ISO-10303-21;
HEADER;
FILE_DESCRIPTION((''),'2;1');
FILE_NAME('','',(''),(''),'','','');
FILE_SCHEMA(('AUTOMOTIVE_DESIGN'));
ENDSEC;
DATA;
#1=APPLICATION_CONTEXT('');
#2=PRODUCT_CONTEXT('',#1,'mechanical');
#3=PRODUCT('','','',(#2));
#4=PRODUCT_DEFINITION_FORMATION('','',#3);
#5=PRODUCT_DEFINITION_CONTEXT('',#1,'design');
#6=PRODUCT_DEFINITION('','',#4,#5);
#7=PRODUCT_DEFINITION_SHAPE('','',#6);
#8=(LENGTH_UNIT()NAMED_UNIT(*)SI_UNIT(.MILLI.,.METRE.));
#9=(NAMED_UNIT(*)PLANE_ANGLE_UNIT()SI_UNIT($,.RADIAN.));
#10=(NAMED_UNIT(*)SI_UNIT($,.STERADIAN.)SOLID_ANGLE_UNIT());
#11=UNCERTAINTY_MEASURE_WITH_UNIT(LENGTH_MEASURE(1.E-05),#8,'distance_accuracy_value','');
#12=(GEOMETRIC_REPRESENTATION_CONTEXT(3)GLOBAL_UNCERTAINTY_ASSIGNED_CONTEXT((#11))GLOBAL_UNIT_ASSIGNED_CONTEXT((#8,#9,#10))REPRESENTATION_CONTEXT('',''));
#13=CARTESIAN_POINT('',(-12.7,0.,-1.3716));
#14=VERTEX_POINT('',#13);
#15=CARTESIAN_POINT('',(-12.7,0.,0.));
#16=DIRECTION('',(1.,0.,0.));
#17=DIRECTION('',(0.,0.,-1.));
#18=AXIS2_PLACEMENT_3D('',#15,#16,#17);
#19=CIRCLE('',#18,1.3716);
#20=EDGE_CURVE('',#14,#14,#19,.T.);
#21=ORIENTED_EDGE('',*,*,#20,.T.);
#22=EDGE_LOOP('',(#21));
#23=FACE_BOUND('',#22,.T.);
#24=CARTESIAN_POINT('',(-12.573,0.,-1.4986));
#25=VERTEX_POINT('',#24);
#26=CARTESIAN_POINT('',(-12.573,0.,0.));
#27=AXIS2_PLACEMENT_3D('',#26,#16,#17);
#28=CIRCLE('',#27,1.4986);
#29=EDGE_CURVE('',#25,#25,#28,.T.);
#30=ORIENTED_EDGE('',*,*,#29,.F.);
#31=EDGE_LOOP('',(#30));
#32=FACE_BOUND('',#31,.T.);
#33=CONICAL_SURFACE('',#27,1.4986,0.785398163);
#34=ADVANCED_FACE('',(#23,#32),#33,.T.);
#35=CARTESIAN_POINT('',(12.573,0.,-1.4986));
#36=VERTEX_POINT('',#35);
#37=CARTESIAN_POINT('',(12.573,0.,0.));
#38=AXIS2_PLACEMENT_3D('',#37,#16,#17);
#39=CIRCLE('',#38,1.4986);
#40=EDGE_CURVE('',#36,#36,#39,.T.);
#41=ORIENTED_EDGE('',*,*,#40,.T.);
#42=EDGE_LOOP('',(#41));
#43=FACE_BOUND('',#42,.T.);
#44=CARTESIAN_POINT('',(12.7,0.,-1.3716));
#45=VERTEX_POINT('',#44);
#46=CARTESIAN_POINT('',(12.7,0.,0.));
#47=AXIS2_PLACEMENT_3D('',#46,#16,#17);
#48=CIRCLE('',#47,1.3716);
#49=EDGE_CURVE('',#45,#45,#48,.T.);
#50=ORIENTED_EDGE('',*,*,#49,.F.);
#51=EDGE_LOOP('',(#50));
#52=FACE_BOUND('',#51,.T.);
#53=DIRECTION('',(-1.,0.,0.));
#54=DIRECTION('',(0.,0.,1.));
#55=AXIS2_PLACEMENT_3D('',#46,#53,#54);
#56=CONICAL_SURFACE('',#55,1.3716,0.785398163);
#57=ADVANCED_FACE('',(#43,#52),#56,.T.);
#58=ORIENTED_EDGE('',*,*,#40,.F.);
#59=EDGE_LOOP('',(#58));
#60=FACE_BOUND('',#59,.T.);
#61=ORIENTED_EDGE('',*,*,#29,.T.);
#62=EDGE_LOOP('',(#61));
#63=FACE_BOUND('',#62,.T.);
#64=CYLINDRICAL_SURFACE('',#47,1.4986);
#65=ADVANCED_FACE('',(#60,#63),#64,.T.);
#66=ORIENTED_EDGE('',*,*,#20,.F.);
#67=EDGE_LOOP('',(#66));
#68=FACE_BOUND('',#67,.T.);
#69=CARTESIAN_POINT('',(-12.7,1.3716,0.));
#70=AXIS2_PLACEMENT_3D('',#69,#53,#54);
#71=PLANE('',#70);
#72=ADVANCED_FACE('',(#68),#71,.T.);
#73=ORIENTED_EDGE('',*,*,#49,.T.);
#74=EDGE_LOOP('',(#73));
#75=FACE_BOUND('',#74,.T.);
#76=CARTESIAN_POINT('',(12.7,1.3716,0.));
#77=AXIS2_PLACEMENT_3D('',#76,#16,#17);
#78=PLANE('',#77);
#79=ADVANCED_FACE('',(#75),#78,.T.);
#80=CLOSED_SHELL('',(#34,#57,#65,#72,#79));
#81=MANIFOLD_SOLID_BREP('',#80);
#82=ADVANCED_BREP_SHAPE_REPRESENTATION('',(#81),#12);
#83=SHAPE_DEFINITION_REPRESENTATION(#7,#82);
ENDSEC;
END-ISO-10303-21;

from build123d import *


with BuildPart() as part:
    # Sketch1 → Revolve1 (revolve)
    with BuildSketch(Plane.XY):
        Polygon((-12.573, 1.4986), (12.573, 1.4986), (12.7, 1.3716), (12.7, 0), (-12.7, 0), (-12.7, 1.3716), align=None)
    revolve(axis=Axis((12.7, 0, 0), (-1, 0, 0)))


solid = part.part
